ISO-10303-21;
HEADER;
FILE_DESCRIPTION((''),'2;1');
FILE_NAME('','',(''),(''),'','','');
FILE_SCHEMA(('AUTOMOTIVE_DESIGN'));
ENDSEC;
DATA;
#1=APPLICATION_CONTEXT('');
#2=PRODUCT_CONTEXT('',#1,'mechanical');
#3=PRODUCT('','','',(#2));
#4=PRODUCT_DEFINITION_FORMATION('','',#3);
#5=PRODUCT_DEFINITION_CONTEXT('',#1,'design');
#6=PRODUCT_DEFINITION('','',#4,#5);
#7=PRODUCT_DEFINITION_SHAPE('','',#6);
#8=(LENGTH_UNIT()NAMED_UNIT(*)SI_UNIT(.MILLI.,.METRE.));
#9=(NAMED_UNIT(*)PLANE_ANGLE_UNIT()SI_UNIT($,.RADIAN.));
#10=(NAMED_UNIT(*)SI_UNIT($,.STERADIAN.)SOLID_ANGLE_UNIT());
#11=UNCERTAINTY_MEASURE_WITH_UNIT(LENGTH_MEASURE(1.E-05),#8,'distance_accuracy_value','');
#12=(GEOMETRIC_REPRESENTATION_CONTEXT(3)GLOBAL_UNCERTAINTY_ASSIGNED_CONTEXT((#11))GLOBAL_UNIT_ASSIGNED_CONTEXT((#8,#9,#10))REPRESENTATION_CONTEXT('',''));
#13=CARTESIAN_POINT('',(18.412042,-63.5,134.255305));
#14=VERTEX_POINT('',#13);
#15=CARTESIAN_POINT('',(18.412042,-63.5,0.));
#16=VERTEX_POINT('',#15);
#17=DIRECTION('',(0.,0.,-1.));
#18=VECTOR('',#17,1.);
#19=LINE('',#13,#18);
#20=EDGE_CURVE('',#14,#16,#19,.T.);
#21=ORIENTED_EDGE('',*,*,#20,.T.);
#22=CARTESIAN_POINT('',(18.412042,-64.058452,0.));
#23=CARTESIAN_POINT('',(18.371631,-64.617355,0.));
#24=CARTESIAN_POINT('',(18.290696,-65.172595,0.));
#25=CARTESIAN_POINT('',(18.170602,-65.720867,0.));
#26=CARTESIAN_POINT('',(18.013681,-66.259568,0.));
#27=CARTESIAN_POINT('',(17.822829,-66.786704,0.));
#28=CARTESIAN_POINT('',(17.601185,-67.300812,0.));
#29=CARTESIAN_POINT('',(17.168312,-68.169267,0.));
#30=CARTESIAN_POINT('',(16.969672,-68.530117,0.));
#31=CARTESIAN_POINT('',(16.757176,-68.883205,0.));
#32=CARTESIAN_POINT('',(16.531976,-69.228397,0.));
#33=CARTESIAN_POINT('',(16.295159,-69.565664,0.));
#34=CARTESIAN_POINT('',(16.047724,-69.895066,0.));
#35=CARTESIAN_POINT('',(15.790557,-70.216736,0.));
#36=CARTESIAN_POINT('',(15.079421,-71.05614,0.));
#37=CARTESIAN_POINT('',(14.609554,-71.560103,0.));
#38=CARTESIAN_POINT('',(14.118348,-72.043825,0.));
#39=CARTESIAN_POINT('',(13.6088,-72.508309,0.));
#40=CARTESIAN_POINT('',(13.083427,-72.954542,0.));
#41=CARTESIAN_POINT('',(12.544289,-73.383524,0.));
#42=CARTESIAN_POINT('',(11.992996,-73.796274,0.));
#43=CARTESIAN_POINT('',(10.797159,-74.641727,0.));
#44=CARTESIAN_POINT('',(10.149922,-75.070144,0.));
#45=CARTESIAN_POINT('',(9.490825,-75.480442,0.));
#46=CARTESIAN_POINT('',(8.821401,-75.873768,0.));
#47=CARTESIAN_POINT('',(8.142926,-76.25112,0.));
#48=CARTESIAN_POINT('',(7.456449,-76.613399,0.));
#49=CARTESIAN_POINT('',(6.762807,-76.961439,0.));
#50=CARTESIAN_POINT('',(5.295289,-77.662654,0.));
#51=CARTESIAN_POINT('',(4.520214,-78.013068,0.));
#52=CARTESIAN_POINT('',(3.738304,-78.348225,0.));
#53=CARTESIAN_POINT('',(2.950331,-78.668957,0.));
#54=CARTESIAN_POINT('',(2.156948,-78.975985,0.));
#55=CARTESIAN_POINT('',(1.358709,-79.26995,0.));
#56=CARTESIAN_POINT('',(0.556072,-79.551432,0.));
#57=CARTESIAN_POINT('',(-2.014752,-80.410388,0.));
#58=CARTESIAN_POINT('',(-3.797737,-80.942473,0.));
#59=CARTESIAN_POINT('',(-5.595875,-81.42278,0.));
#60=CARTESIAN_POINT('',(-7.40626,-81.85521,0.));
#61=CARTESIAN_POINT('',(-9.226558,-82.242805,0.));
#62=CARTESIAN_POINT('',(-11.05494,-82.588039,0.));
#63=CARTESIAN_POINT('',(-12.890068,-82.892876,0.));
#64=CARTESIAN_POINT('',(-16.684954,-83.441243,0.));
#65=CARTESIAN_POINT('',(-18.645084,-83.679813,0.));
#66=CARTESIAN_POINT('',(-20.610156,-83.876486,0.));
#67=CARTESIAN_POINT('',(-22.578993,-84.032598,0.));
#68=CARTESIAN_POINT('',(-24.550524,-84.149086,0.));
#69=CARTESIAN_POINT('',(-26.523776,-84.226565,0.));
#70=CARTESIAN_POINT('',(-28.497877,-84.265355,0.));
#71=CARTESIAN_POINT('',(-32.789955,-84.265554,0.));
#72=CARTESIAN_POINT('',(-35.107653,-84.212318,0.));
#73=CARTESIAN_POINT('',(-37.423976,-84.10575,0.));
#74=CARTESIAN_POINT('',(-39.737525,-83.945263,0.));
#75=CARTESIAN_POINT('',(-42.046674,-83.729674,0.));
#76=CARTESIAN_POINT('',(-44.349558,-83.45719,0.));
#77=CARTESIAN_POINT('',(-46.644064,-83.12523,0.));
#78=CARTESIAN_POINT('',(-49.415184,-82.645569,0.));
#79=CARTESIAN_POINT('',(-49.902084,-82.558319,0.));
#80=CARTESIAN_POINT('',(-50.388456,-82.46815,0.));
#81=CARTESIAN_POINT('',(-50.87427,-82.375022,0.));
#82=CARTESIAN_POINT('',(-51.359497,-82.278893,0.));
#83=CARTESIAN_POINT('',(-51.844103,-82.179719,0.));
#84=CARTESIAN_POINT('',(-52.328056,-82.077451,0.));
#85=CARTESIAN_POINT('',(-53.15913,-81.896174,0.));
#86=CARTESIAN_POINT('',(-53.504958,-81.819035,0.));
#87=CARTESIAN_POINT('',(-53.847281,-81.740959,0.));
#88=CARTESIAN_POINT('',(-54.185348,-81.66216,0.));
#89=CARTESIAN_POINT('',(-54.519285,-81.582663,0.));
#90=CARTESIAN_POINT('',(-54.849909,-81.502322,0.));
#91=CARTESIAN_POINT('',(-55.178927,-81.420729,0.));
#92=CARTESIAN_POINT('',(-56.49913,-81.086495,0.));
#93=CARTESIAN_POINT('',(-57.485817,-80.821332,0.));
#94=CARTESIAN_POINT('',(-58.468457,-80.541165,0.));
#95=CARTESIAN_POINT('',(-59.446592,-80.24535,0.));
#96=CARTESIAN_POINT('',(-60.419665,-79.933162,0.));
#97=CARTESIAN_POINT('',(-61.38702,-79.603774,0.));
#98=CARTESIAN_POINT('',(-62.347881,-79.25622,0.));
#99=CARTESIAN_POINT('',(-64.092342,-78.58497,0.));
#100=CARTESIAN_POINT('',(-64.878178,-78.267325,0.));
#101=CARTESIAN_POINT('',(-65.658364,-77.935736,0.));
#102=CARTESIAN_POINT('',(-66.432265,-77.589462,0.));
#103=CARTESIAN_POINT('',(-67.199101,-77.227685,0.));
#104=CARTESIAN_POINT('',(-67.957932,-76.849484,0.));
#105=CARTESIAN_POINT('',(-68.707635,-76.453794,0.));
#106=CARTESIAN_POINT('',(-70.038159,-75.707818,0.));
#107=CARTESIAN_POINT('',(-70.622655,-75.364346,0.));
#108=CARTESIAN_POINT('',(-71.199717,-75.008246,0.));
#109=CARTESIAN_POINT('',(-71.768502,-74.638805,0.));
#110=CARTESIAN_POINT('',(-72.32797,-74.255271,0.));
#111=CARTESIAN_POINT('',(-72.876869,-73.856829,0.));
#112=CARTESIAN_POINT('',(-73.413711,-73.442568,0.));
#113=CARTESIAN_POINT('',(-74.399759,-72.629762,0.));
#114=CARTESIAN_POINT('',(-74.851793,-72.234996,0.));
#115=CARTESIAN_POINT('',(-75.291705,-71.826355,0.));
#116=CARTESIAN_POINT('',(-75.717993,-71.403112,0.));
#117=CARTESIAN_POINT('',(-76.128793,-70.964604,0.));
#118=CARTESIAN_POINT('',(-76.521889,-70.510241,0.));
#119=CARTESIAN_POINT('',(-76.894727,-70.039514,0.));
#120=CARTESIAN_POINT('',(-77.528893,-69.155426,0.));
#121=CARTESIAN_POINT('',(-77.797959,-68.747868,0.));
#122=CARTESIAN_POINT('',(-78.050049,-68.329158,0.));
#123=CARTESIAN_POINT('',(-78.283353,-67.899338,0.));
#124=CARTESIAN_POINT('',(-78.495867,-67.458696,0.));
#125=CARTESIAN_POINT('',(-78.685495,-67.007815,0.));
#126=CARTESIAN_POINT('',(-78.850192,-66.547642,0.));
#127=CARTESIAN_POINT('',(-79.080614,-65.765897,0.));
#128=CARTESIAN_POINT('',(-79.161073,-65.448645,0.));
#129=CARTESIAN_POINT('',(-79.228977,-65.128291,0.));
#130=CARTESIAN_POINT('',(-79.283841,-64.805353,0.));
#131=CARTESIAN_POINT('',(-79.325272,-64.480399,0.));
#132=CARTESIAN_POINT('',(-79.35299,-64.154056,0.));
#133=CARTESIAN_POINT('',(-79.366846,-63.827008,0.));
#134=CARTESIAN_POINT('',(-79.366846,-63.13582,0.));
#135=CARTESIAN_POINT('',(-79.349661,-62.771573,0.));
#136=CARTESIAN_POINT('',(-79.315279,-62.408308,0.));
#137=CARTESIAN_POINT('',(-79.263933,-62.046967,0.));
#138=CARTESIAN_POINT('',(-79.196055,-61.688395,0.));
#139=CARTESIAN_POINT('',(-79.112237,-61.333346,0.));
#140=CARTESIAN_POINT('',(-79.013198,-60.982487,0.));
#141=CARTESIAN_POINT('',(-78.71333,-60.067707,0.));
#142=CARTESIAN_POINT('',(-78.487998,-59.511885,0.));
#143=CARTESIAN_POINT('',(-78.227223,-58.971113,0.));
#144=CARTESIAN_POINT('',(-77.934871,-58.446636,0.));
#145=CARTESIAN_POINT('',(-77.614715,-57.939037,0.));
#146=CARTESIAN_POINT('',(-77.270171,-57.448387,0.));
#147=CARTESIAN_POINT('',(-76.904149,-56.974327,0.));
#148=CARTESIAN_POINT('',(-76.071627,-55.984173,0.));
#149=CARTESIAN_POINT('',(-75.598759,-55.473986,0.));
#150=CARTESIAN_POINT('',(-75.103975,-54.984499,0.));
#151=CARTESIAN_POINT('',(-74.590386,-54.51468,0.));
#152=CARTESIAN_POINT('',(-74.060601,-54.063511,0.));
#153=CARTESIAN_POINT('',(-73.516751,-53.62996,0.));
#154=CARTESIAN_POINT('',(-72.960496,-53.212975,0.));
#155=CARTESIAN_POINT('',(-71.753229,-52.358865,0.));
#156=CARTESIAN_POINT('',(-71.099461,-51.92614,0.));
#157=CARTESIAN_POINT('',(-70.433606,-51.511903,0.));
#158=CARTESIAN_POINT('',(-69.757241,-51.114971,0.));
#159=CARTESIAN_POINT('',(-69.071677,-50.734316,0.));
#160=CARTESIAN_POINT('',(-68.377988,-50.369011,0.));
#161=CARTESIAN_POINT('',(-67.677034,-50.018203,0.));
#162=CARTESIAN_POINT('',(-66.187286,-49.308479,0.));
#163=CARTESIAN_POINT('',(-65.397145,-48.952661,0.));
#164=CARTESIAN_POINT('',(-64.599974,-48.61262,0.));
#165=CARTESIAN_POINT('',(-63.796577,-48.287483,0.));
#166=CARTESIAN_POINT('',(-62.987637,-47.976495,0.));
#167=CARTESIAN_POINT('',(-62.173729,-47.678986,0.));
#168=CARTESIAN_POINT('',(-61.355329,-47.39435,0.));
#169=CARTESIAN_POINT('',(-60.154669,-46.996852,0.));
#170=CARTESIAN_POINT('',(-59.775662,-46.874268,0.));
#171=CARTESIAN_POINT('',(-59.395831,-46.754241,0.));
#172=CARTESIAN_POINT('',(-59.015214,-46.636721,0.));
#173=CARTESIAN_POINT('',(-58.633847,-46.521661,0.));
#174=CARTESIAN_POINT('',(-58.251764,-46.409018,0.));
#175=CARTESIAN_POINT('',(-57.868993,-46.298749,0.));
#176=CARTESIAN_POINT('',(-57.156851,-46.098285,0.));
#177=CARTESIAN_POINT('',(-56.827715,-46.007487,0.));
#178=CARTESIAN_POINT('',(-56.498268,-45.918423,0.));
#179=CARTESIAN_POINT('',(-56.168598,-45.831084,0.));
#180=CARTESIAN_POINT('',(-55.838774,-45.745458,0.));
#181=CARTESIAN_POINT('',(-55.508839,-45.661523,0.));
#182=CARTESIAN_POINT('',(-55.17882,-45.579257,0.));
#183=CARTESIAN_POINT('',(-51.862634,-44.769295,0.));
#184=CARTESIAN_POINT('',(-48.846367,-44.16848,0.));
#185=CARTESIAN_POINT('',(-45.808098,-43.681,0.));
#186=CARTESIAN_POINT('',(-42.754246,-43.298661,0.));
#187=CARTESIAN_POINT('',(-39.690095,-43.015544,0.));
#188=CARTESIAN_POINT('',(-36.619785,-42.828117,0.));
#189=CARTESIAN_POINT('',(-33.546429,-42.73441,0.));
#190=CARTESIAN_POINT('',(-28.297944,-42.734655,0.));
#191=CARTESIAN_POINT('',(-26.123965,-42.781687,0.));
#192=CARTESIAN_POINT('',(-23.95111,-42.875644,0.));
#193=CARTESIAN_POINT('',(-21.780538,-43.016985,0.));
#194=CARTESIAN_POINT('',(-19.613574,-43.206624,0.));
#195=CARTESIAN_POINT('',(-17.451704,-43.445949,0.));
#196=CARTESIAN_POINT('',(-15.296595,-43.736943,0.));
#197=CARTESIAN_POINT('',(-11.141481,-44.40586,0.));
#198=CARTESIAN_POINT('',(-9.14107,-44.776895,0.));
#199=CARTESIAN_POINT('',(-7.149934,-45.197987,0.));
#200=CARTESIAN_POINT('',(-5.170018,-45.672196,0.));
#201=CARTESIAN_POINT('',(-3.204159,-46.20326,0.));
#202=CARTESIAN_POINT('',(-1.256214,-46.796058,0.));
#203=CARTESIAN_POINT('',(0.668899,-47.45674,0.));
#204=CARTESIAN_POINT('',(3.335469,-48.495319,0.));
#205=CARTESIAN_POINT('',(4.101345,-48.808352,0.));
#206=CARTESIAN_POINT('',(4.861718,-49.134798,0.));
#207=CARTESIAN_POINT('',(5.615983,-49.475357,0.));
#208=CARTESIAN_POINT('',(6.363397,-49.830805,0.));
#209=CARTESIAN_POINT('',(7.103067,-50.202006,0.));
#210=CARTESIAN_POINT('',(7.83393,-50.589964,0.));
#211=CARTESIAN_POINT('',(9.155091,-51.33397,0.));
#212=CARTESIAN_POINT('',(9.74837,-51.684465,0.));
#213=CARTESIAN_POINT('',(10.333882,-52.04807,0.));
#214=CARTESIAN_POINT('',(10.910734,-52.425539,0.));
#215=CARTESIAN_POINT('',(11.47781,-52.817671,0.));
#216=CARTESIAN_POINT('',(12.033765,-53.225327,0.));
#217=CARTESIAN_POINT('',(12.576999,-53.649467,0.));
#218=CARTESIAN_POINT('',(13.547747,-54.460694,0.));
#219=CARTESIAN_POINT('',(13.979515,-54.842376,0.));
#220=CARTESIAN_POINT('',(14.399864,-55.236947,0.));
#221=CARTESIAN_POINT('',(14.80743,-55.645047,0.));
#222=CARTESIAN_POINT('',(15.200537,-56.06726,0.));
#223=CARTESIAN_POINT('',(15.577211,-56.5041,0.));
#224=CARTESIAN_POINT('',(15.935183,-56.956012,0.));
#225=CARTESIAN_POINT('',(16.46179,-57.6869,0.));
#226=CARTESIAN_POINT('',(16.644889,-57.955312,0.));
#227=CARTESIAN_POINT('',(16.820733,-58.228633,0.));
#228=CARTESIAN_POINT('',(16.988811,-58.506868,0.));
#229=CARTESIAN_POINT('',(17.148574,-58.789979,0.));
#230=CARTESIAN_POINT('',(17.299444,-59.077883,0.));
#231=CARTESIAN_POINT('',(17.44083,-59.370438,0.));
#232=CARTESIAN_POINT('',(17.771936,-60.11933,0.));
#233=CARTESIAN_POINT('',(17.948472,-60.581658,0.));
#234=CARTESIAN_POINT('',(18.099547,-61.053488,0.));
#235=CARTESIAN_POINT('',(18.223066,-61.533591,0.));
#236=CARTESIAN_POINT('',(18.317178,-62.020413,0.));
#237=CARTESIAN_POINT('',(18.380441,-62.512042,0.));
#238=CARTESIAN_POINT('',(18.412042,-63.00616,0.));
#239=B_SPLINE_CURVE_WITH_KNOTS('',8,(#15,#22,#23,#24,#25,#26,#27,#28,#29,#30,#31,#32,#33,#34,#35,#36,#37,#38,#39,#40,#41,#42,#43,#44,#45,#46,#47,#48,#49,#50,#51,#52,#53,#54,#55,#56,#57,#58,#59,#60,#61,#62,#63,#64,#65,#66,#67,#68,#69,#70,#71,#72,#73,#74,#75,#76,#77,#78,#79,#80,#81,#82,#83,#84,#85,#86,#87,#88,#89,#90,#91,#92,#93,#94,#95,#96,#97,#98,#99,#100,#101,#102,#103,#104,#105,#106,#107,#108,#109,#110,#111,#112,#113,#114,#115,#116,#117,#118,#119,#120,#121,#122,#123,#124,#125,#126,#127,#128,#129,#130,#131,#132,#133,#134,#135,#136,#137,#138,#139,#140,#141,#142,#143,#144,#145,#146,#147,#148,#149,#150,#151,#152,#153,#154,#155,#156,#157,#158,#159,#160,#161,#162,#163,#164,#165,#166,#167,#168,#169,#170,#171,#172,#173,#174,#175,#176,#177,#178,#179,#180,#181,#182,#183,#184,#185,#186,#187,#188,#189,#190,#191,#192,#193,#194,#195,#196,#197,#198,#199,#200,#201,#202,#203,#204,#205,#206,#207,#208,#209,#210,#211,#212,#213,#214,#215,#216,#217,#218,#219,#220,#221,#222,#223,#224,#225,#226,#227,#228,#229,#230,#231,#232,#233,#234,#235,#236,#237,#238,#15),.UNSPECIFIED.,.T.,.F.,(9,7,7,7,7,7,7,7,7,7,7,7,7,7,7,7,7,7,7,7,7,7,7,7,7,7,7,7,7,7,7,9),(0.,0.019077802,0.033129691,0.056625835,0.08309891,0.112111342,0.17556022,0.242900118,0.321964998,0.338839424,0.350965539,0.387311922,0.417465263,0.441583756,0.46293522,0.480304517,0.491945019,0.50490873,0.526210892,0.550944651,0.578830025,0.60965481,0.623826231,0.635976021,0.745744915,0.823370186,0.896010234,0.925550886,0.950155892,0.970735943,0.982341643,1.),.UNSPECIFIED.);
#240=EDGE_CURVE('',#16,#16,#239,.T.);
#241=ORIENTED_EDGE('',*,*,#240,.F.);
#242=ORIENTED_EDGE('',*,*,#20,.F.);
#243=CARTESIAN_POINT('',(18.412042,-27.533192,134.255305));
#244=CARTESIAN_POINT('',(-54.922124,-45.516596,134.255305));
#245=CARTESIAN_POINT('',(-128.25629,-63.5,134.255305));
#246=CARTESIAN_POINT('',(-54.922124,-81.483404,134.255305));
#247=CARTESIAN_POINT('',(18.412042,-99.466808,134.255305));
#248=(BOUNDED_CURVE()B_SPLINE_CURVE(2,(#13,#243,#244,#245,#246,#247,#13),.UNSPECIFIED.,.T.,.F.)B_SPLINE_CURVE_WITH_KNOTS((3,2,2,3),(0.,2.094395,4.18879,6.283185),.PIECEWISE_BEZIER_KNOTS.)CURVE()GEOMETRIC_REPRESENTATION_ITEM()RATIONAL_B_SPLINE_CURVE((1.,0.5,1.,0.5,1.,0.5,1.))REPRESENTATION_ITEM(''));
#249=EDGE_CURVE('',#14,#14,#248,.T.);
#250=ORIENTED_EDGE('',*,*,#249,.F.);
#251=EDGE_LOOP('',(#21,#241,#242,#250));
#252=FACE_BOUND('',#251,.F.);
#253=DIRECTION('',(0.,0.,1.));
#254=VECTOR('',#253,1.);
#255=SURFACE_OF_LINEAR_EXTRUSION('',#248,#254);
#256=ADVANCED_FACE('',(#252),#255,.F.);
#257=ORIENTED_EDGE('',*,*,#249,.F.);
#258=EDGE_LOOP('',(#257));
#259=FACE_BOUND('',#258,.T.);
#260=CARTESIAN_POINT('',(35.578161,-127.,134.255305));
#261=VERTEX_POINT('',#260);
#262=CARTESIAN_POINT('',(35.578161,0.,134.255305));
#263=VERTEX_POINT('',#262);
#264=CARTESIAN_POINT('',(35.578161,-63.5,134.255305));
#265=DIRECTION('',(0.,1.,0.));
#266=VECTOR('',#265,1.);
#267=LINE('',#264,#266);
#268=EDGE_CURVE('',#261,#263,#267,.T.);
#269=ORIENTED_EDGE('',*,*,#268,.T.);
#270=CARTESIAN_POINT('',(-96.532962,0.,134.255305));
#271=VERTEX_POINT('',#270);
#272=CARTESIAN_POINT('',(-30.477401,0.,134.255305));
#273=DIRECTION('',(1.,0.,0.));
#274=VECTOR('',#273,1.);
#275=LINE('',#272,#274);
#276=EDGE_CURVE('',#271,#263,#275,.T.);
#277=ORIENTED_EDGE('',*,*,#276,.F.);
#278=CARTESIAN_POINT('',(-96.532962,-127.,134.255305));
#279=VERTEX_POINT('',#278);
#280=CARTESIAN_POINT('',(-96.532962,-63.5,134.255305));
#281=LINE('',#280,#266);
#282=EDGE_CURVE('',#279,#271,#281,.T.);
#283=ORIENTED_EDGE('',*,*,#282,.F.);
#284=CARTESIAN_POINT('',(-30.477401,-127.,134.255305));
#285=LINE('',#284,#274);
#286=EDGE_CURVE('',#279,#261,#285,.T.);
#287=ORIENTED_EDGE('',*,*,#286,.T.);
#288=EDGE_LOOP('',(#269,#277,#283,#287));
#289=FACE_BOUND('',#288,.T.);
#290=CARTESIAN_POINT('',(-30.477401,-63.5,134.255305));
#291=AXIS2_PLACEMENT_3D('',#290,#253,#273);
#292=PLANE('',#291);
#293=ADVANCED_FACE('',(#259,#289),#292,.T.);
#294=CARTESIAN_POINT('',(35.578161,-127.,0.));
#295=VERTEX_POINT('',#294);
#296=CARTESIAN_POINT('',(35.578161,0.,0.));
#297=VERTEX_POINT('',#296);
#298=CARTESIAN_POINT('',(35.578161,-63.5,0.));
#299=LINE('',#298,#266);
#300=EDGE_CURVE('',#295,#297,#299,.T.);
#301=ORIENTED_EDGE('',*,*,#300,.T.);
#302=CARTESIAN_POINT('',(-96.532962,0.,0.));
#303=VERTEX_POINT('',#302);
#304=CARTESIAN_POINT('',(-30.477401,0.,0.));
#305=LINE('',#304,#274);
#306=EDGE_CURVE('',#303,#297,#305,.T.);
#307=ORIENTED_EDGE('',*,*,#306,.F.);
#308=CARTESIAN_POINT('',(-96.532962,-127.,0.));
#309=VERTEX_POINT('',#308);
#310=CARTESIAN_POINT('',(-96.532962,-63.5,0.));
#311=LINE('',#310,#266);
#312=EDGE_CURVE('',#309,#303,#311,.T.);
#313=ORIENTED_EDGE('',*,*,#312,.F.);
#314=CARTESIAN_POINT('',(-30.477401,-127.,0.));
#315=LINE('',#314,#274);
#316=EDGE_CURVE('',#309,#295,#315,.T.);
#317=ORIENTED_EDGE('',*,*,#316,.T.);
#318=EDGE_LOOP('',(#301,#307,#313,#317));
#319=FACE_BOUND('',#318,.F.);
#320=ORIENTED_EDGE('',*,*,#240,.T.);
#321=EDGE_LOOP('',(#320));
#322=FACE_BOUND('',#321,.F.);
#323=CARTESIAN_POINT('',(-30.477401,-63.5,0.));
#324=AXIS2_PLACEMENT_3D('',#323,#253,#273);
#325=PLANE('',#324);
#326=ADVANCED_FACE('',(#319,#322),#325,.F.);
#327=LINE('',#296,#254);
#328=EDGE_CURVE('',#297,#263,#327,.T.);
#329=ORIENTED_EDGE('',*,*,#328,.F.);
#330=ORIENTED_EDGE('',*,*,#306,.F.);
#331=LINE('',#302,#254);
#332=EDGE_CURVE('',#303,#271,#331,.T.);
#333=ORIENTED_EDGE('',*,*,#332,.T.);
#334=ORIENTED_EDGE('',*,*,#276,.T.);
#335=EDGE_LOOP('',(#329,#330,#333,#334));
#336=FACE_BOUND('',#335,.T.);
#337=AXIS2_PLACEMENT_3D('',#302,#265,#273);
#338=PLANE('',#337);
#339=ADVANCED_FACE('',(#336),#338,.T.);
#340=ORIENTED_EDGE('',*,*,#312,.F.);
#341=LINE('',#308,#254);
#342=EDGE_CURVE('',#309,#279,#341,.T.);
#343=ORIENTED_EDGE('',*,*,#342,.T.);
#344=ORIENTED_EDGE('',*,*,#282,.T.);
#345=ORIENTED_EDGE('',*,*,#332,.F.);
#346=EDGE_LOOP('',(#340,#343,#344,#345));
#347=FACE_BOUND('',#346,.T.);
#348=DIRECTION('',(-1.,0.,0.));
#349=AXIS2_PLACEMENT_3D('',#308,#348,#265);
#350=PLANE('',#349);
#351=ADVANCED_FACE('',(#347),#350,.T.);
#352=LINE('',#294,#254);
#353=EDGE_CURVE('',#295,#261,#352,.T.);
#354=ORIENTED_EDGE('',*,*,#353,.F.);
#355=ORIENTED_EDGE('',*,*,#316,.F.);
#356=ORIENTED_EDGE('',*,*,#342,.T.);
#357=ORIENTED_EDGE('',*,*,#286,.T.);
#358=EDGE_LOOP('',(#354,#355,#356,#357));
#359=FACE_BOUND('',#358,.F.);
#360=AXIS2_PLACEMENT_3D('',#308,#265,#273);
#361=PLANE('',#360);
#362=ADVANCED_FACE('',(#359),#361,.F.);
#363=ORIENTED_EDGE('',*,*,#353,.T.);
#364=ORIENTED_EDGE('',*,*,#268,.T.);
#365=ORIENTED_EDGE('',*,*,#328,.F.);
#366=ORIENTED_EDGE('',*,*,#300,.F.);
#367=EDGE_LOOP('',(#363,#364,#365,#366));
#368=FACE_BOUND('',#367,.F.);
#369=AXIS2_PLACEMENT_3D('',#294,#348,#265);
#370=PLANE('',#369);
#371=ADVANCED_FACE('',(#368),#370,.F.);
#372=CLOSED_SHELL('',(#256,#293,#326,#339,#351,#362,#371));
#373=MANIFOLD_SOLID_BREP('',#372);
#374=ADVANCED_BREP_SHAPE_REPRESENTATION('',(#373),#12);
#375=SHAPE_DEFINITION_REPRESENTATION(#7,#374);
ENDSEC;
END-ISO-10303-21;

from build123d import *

# Parameters (mm, degrees)
F0_W     = 132.111123
F0_H     = 127
F1_DEPTH = 134.255305
F3_DEPTH = 134.256305


with BuildPart() as f1:
    # F0 (on Top) → F1 (new body)
    with BuildSketch(Plane.XY):
        with Locations((-30.477401, -63.5)):
            Rectangle(F0_W, F0_H)
    extrude(amount=F1_DEPTH)

    # F2 (on face) → F3 (cut, through all)
    with BuildSketch(Plane.XY.offset(134.255305)):
        with BuildLine():
            add(Edge.make_bspline(
                [(18.412042, -63.5), (18.412042, -27.533192), (-54.922124, -45.516596), (-128.25629, -63.5), (-54.922124, -81.483404), (18.412042, -99.466808), (18.412042, -63.5)],
                knots=[0, 0, 0, 2.094395, 2.094395, 4.18879, 4.18879, 6.283185, 6.283185, 6.283185], degree=2, weights=[1, 0.5, 1, 0.5, 1, 0.5, 1]))
        make_face()
    extrude(amount=-F3_DEPTH, mode=Mode.SUBTRACT)


solid = f1.part
